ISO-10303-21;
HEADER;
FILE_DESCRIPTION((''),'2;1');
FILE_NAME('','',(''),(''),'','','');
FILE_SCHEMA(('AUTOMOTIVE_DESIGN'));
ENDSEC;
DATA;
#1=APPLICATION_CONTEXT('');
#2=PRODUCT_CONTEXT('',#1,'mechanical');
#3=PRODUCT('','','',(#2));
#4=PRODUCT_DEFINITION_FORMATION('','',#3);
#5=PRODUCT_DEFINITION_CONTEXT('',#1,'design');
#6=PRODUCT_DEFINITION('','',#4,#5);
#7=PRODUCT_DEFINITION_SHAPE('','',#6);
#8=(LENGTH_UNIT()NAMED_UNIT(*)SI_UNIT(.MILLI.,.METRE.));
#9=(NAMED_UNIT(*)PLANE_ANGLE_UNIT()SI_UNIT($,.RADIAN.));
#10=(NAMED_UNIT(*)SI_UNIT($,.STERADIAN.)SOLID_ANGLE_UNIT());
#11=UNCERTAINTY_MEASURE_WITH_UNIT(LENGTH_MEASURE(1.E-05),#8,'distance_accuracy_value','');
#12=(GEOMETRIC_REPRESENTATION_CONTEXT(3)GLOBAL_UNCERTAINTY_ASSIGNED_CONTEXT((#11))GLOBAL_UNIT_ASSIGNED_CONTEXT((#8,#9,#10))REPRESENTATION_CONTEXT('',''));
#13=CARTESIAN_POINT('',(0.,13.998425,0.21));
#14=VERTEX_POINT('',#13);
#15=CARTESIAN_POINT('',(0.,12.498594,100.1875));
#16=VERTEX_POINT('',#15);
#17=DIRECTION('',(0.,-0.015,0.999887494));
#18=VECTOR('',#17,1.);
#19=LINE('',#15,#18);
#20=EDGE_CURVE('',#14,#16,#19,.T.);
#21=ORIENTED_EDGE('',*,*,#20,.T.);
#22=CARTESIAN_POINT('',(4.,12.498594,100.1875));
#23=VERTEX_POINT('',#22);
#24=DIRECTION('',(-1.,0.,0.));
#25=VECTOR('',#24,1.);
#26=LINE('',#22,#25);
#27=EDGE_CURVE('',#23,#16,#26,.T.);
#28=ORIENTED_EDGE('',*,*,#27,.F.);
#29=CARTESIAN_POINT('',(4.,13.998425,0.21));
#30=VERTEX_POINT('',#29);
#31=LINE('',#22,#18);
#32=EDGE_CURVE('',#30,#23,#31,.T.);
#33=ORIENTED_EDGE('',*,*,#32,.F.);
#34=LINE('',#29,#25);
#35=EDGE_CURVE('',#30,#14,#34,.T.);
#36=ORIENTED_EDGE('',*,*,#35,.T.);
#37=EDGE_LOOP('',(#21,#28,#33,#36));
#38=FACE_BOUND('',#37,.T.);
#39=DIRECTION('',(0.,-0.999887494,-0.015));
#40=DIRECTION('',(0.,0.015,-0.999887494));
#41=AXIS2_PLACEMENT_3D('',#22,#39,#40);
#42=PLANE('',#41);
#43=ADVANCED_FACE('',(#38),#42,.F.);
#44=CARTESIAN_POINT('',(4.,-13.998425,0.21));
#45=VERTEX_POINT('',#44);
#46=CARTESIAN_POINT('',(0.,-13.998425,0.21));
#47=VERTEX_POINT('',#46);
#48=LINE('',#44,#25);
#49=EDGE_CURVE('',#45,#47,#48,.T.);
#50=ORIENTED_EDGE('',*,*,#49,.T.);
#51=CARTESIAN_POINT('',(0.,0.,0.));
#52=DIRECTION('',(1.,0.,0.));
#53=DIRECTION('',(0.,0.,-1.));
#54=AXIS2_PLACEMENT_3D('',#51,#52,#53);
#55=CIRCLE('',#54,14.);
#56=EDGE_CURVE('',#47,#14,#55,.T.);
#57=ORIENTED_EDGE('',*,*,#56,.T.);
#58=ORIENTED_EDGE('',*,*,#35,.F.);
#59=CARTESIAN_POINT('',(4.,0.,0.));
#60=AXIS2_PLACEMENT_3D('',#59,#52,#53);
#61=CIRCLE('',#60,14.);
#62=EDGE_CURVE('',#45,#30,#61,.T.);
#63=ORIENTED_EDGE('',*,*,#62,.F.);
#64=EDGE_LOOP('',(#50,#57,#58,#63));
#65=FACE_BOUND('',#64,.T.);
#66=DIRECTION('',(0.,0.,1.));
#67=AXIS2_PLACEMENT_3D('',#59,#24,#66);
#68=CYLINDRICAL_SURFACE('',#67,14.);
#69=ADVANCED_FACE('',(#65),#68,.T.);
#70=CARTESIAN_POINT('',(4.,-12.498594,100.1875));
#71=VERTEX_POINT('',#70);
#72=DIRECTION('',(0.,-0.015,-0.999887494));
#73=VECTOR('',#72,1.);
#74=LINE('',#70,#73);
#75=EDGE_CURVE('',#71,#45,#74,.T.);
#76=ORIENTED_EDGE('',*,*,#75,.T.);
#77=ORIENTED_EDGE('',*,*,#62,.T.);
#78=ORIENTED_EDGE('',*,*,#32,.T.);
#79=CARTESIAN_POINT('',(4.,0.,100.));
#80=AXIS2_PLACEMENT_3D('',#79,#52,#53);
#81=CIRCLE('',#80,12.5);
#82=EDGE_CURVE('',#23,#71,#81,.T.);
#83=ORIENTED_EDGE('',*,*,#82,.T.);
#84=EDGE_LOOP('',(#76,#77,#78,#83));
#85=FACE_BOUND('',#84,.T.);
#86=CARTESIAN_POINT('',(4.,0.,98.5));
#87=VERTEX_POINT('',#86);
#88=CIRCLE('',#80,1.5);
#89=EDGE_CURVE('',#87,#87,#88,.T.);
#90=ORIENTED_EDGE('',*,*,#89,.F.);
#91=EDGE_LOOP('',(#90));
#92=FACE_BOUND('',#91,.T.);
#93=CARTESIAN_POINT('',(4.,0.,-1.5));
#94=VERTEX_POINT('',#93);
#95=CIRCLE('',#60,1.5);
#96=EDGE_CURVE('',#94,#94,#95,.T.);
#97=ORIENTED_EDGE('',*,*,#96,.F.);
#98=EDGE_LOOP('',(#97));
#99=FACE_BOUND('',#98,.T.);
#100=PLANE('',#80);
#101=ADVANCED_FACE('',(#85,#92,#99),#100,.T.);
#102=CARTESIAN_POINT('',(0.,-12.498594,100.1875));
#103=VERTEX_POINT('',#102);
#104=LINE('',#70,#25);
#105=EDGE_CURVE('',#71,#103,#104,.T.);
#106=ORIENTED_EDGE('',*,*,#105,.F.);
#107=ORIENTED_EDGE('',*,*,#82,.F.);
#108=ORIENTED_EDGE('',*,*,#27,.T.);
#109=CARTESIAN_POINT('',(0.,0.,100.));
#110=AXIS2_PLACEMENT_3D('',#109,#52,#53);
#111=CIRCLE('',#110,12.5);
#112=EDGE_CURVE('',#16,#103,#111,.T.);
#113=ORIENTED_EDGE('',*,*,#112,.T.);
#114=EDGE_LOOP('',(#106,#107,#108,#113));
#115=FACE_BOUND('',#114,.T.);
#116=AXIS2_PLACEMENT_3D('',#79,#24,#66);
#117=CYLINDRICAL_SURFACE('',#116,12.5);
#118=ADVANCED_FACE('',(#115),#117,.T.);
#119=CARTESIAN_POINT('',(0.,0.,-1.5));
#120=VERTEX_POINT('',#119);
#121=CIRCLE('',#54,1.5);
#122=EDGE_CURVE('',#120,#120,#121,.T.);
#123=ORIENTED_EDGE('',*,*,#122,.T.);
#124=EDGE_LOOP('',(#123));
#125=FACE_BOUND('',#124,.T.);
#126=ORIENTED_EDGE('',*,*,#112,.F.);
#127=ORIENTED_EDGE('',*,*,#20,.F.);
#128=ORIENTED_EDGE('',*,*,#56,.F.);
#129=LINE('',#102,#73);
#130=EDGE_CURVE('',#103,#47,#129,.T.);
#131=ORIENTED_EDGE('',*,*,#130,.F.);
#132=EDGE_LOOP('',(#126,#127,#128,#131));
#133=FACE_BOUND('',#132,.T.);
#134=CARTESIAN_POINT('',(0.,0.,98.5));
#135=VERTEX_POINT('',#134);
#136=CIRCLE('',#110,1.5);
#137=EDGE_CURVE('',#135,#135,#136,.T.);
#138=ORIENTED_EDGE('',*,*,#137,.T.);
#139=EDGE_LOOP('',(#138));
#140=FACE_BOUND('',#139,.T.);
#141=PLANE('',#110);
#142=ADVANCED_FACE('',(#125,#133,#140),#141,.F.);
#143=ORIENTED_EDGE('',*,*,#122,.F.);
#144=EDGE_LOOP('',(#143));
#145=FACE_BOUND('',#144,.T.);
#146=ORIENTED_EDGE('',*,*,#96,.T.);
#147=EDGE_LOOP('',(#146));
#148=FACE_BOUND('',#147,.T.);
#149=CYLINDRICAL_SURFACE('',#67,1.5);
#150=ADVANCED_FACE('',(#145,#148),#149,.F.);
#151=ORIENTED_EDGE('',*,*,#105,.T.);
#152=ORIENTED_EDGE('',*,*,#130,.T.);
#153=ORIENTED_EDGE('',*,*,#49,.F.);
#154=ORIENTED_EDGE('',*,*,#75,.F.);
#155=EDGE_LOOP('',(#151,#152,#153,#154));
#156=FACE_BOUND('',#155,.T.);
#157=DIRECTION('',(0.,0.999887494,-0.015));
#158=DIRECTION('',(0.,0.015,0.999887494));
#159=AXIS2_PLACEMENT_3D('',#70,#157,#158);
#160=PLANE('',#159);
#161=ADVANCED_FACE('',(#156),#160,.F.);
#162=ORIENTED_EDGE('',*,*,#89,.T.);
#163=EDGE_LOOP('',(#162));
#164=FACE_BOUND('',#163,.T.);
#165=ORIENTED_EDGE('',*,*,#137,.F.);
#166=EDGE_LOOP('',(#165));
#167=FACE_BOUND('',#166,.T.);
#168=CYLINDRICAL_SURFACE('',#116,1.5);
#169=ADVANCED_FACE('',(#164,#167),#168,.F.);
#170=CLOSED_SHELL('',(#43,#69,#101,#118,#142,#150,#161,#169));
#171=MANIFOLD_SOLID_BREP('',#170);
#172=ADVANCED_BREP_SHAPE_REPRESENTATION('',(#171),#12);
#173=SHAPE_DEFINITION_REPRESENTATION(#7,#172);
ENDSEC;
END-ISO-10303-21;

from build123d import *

# Parameters (mm, degrees)
CROQUIS1_R              = 1.5
SALIENTE_EXTRUIR1_DEPTH = 4


with BuildPart() as part:
    # Croquis1 → Saliente-Extruir1 (new body)
    with BuildSketch(Plane(origin=(0, 0, 0), x_dir=(0, 0, -1), z_dir=(1, 0, 0))):
        with BuildLine():
            Line((-100.1875, 12.498593671), (-0.21, 13.998424911))
            ThreePointArc((-0.21, 13.998424911), (14, 0), (-0.21, -13.998424911))
            Line((-0.21, -13.998424911), (-100.1875, -12.498593671))
            ThreePointArc((-100.1875, -12.498593671), (-112.5, 0), (-100.1875, 12.498593671))
        make_face()
        Circle(CROQUIS1_R, mode=Mode.SUBTRACT)
        with Locations((-100, 0)):
            Circle(CROQUIS1_R, mode=Mode.SUBTRACT)
    extrude(amount=SALIENTE_EXTRUIR1_DEPTH)


solid = part.part
